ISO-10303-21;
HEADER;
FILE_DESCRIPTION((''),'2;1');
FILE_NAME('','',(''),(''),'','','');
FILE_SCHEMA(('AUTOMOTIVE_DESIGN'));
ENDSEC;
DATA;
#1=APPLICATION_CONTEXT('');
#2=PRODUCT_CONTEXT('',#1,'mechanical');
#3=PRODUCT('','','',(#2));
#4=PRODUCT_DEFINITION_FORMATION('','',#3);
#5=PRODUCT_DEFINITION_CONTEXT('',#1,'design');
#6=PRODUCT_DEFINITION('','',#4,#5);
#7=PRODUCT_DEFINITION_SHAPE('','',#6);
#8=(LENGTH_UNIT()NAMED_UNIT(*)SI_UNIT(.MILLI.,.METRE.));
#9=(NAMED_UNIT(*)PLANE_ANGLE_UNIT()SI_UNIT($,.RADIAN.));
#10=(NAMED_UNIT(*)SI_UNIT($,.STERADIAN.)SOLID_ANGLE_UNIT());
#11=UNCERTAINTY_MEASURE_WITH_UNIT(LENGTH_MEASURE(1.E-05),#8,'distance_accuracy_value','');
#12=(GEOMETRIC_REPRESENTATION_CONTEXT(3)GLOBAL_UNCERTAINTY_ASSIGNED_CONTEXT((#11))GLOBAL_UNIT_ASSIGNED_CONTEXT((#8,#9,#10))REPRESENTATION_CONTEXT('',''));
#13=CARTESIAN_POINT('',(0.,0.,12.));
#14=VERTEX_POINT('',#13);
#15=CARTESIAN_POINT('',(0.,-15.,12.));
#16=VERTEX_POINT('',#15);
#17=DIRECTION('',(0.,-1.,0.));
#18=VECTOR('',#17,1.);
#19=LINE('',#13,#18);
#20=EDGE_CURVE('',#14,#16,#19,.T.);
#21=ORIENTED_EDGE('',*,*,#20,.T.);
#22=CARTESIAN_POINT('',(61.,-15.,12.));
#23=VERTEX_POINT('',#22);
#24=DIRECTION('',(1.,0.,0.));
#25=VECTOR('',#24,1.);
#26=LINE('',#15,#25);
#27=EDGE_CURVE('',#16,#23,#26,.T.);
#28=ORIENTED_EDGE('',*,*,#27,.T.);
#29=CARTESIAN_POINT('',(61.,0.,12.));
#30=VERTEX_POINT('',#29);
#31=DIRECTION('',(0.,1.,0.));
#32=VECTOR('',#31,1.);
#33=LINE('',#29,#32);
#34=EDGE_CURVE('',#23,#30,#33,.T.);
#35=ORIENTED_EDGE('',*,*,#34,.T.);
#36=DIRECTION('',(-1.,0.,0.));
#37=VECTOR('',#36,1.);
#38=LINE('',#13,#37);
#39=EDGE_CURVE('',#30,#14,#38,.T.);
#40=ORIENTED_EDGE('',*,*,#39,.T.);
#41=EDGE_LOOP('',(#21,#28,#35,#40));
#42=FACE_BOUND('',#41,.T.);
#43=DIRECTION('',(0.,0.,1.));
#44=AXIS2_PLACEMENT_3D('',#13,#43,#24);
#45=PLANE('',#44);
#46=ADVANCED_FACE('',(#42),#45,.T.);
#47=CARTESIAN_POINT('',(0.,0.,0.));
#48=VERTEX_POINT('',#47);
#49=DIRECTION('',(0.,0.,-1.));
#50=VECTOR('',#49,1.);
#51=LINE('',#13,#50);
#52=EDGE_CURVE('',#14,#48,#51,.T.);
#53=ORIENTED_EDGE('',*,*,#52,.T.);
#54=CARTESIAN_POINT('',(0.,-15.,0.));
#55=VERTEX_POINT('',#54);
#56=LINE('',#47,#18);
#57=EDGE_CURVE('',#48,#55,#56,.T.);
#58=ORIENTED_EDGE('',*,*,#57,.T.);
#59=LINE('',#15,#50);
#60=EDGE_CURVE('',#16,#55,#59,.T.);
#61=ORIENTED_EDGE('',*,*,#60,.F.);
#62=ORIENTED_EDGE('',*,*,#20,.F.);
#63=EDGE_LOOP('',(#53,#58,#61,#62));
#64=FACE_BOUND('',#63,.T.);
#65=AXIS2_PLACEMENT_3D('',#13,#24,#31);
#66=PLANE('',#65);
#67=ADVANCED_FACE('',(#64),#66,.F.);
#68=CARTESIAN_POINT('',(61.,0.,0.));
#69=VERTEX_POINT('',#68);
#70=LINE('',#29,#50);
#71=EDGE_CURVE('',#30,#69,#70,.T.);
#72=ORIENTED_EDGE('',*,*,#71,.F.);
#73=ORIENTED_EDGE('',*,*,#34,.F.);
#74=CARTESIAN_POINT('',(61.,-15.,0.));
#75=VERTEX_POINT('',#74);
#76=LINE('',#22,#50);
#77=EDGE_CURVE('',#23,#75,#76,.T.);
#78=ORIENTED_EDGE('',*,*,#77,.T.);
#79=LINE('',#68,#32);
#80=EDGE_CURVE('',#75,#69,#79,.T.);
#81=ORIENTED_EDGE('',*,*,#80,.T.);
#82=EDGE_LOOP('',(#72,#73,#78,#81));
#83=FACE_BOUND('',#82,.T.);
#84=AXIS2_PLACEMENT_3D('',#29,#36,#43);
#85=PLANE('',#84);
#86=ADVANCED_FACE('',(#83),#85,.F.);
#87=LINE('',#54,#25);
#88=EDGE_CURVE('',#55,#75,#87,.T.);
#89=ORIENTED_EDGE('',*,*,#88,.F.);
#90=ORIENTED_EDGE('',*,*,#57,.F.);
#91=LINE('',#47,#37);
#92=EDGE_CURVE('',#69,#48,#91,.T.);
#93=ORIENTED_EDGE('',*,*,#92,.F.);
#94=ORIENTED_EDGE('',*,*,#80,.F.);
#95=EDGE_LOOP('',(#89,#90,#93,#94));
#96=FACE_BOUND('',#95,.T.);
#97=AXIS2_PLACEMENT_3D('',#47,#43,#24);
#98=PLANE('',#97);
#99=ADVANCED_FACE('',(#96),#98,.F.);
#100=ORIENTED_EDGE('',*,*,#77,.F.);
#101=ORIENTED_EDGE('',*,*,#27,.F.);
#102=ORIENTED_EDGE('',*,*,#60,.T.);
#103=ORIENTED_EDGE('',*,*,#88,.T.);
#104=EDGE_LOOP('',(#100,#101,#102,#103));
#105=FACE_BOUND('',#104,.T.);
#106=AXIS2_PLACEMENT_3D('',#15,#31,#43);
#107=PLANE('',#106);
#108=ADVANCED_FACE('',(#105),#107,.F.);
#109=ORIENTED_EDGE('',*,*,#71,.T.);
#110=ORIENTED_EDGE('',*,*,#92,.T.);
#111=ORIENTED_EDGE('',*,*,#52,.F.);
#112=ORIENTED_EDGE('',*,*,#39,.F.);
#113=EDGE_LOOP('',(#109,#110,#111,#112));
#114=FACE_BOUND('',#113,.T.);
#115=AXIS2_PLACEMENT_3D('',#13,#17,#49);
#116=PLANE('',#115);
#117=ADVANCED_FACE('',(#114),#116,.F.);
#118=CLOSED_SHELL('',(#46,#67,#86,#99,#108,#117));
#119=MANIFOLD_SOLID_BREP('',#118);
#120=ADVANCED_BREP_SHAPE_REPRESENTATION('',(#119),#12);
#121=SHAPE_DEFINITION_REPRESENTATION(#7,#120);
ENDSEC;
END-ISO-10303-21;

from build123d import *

# Parameters (mm, degrees)
SKETCH1_W           = 61
SKETCH1_H           = 15
BOSS_EXTRUDE1_DEPTH = 12


with BuildPart() as part:
    # Sketch1 → Boss-Extrude1 (new body)
    with BuildSketch(Plane.XY):
        with Locations((30.5, -7.5)):
            Rectangle(SKETCH1_W, SKETCH1_H)
    extrude(amount=BOSS_EXTRUDE1_DEPTH)


solid = part.part
